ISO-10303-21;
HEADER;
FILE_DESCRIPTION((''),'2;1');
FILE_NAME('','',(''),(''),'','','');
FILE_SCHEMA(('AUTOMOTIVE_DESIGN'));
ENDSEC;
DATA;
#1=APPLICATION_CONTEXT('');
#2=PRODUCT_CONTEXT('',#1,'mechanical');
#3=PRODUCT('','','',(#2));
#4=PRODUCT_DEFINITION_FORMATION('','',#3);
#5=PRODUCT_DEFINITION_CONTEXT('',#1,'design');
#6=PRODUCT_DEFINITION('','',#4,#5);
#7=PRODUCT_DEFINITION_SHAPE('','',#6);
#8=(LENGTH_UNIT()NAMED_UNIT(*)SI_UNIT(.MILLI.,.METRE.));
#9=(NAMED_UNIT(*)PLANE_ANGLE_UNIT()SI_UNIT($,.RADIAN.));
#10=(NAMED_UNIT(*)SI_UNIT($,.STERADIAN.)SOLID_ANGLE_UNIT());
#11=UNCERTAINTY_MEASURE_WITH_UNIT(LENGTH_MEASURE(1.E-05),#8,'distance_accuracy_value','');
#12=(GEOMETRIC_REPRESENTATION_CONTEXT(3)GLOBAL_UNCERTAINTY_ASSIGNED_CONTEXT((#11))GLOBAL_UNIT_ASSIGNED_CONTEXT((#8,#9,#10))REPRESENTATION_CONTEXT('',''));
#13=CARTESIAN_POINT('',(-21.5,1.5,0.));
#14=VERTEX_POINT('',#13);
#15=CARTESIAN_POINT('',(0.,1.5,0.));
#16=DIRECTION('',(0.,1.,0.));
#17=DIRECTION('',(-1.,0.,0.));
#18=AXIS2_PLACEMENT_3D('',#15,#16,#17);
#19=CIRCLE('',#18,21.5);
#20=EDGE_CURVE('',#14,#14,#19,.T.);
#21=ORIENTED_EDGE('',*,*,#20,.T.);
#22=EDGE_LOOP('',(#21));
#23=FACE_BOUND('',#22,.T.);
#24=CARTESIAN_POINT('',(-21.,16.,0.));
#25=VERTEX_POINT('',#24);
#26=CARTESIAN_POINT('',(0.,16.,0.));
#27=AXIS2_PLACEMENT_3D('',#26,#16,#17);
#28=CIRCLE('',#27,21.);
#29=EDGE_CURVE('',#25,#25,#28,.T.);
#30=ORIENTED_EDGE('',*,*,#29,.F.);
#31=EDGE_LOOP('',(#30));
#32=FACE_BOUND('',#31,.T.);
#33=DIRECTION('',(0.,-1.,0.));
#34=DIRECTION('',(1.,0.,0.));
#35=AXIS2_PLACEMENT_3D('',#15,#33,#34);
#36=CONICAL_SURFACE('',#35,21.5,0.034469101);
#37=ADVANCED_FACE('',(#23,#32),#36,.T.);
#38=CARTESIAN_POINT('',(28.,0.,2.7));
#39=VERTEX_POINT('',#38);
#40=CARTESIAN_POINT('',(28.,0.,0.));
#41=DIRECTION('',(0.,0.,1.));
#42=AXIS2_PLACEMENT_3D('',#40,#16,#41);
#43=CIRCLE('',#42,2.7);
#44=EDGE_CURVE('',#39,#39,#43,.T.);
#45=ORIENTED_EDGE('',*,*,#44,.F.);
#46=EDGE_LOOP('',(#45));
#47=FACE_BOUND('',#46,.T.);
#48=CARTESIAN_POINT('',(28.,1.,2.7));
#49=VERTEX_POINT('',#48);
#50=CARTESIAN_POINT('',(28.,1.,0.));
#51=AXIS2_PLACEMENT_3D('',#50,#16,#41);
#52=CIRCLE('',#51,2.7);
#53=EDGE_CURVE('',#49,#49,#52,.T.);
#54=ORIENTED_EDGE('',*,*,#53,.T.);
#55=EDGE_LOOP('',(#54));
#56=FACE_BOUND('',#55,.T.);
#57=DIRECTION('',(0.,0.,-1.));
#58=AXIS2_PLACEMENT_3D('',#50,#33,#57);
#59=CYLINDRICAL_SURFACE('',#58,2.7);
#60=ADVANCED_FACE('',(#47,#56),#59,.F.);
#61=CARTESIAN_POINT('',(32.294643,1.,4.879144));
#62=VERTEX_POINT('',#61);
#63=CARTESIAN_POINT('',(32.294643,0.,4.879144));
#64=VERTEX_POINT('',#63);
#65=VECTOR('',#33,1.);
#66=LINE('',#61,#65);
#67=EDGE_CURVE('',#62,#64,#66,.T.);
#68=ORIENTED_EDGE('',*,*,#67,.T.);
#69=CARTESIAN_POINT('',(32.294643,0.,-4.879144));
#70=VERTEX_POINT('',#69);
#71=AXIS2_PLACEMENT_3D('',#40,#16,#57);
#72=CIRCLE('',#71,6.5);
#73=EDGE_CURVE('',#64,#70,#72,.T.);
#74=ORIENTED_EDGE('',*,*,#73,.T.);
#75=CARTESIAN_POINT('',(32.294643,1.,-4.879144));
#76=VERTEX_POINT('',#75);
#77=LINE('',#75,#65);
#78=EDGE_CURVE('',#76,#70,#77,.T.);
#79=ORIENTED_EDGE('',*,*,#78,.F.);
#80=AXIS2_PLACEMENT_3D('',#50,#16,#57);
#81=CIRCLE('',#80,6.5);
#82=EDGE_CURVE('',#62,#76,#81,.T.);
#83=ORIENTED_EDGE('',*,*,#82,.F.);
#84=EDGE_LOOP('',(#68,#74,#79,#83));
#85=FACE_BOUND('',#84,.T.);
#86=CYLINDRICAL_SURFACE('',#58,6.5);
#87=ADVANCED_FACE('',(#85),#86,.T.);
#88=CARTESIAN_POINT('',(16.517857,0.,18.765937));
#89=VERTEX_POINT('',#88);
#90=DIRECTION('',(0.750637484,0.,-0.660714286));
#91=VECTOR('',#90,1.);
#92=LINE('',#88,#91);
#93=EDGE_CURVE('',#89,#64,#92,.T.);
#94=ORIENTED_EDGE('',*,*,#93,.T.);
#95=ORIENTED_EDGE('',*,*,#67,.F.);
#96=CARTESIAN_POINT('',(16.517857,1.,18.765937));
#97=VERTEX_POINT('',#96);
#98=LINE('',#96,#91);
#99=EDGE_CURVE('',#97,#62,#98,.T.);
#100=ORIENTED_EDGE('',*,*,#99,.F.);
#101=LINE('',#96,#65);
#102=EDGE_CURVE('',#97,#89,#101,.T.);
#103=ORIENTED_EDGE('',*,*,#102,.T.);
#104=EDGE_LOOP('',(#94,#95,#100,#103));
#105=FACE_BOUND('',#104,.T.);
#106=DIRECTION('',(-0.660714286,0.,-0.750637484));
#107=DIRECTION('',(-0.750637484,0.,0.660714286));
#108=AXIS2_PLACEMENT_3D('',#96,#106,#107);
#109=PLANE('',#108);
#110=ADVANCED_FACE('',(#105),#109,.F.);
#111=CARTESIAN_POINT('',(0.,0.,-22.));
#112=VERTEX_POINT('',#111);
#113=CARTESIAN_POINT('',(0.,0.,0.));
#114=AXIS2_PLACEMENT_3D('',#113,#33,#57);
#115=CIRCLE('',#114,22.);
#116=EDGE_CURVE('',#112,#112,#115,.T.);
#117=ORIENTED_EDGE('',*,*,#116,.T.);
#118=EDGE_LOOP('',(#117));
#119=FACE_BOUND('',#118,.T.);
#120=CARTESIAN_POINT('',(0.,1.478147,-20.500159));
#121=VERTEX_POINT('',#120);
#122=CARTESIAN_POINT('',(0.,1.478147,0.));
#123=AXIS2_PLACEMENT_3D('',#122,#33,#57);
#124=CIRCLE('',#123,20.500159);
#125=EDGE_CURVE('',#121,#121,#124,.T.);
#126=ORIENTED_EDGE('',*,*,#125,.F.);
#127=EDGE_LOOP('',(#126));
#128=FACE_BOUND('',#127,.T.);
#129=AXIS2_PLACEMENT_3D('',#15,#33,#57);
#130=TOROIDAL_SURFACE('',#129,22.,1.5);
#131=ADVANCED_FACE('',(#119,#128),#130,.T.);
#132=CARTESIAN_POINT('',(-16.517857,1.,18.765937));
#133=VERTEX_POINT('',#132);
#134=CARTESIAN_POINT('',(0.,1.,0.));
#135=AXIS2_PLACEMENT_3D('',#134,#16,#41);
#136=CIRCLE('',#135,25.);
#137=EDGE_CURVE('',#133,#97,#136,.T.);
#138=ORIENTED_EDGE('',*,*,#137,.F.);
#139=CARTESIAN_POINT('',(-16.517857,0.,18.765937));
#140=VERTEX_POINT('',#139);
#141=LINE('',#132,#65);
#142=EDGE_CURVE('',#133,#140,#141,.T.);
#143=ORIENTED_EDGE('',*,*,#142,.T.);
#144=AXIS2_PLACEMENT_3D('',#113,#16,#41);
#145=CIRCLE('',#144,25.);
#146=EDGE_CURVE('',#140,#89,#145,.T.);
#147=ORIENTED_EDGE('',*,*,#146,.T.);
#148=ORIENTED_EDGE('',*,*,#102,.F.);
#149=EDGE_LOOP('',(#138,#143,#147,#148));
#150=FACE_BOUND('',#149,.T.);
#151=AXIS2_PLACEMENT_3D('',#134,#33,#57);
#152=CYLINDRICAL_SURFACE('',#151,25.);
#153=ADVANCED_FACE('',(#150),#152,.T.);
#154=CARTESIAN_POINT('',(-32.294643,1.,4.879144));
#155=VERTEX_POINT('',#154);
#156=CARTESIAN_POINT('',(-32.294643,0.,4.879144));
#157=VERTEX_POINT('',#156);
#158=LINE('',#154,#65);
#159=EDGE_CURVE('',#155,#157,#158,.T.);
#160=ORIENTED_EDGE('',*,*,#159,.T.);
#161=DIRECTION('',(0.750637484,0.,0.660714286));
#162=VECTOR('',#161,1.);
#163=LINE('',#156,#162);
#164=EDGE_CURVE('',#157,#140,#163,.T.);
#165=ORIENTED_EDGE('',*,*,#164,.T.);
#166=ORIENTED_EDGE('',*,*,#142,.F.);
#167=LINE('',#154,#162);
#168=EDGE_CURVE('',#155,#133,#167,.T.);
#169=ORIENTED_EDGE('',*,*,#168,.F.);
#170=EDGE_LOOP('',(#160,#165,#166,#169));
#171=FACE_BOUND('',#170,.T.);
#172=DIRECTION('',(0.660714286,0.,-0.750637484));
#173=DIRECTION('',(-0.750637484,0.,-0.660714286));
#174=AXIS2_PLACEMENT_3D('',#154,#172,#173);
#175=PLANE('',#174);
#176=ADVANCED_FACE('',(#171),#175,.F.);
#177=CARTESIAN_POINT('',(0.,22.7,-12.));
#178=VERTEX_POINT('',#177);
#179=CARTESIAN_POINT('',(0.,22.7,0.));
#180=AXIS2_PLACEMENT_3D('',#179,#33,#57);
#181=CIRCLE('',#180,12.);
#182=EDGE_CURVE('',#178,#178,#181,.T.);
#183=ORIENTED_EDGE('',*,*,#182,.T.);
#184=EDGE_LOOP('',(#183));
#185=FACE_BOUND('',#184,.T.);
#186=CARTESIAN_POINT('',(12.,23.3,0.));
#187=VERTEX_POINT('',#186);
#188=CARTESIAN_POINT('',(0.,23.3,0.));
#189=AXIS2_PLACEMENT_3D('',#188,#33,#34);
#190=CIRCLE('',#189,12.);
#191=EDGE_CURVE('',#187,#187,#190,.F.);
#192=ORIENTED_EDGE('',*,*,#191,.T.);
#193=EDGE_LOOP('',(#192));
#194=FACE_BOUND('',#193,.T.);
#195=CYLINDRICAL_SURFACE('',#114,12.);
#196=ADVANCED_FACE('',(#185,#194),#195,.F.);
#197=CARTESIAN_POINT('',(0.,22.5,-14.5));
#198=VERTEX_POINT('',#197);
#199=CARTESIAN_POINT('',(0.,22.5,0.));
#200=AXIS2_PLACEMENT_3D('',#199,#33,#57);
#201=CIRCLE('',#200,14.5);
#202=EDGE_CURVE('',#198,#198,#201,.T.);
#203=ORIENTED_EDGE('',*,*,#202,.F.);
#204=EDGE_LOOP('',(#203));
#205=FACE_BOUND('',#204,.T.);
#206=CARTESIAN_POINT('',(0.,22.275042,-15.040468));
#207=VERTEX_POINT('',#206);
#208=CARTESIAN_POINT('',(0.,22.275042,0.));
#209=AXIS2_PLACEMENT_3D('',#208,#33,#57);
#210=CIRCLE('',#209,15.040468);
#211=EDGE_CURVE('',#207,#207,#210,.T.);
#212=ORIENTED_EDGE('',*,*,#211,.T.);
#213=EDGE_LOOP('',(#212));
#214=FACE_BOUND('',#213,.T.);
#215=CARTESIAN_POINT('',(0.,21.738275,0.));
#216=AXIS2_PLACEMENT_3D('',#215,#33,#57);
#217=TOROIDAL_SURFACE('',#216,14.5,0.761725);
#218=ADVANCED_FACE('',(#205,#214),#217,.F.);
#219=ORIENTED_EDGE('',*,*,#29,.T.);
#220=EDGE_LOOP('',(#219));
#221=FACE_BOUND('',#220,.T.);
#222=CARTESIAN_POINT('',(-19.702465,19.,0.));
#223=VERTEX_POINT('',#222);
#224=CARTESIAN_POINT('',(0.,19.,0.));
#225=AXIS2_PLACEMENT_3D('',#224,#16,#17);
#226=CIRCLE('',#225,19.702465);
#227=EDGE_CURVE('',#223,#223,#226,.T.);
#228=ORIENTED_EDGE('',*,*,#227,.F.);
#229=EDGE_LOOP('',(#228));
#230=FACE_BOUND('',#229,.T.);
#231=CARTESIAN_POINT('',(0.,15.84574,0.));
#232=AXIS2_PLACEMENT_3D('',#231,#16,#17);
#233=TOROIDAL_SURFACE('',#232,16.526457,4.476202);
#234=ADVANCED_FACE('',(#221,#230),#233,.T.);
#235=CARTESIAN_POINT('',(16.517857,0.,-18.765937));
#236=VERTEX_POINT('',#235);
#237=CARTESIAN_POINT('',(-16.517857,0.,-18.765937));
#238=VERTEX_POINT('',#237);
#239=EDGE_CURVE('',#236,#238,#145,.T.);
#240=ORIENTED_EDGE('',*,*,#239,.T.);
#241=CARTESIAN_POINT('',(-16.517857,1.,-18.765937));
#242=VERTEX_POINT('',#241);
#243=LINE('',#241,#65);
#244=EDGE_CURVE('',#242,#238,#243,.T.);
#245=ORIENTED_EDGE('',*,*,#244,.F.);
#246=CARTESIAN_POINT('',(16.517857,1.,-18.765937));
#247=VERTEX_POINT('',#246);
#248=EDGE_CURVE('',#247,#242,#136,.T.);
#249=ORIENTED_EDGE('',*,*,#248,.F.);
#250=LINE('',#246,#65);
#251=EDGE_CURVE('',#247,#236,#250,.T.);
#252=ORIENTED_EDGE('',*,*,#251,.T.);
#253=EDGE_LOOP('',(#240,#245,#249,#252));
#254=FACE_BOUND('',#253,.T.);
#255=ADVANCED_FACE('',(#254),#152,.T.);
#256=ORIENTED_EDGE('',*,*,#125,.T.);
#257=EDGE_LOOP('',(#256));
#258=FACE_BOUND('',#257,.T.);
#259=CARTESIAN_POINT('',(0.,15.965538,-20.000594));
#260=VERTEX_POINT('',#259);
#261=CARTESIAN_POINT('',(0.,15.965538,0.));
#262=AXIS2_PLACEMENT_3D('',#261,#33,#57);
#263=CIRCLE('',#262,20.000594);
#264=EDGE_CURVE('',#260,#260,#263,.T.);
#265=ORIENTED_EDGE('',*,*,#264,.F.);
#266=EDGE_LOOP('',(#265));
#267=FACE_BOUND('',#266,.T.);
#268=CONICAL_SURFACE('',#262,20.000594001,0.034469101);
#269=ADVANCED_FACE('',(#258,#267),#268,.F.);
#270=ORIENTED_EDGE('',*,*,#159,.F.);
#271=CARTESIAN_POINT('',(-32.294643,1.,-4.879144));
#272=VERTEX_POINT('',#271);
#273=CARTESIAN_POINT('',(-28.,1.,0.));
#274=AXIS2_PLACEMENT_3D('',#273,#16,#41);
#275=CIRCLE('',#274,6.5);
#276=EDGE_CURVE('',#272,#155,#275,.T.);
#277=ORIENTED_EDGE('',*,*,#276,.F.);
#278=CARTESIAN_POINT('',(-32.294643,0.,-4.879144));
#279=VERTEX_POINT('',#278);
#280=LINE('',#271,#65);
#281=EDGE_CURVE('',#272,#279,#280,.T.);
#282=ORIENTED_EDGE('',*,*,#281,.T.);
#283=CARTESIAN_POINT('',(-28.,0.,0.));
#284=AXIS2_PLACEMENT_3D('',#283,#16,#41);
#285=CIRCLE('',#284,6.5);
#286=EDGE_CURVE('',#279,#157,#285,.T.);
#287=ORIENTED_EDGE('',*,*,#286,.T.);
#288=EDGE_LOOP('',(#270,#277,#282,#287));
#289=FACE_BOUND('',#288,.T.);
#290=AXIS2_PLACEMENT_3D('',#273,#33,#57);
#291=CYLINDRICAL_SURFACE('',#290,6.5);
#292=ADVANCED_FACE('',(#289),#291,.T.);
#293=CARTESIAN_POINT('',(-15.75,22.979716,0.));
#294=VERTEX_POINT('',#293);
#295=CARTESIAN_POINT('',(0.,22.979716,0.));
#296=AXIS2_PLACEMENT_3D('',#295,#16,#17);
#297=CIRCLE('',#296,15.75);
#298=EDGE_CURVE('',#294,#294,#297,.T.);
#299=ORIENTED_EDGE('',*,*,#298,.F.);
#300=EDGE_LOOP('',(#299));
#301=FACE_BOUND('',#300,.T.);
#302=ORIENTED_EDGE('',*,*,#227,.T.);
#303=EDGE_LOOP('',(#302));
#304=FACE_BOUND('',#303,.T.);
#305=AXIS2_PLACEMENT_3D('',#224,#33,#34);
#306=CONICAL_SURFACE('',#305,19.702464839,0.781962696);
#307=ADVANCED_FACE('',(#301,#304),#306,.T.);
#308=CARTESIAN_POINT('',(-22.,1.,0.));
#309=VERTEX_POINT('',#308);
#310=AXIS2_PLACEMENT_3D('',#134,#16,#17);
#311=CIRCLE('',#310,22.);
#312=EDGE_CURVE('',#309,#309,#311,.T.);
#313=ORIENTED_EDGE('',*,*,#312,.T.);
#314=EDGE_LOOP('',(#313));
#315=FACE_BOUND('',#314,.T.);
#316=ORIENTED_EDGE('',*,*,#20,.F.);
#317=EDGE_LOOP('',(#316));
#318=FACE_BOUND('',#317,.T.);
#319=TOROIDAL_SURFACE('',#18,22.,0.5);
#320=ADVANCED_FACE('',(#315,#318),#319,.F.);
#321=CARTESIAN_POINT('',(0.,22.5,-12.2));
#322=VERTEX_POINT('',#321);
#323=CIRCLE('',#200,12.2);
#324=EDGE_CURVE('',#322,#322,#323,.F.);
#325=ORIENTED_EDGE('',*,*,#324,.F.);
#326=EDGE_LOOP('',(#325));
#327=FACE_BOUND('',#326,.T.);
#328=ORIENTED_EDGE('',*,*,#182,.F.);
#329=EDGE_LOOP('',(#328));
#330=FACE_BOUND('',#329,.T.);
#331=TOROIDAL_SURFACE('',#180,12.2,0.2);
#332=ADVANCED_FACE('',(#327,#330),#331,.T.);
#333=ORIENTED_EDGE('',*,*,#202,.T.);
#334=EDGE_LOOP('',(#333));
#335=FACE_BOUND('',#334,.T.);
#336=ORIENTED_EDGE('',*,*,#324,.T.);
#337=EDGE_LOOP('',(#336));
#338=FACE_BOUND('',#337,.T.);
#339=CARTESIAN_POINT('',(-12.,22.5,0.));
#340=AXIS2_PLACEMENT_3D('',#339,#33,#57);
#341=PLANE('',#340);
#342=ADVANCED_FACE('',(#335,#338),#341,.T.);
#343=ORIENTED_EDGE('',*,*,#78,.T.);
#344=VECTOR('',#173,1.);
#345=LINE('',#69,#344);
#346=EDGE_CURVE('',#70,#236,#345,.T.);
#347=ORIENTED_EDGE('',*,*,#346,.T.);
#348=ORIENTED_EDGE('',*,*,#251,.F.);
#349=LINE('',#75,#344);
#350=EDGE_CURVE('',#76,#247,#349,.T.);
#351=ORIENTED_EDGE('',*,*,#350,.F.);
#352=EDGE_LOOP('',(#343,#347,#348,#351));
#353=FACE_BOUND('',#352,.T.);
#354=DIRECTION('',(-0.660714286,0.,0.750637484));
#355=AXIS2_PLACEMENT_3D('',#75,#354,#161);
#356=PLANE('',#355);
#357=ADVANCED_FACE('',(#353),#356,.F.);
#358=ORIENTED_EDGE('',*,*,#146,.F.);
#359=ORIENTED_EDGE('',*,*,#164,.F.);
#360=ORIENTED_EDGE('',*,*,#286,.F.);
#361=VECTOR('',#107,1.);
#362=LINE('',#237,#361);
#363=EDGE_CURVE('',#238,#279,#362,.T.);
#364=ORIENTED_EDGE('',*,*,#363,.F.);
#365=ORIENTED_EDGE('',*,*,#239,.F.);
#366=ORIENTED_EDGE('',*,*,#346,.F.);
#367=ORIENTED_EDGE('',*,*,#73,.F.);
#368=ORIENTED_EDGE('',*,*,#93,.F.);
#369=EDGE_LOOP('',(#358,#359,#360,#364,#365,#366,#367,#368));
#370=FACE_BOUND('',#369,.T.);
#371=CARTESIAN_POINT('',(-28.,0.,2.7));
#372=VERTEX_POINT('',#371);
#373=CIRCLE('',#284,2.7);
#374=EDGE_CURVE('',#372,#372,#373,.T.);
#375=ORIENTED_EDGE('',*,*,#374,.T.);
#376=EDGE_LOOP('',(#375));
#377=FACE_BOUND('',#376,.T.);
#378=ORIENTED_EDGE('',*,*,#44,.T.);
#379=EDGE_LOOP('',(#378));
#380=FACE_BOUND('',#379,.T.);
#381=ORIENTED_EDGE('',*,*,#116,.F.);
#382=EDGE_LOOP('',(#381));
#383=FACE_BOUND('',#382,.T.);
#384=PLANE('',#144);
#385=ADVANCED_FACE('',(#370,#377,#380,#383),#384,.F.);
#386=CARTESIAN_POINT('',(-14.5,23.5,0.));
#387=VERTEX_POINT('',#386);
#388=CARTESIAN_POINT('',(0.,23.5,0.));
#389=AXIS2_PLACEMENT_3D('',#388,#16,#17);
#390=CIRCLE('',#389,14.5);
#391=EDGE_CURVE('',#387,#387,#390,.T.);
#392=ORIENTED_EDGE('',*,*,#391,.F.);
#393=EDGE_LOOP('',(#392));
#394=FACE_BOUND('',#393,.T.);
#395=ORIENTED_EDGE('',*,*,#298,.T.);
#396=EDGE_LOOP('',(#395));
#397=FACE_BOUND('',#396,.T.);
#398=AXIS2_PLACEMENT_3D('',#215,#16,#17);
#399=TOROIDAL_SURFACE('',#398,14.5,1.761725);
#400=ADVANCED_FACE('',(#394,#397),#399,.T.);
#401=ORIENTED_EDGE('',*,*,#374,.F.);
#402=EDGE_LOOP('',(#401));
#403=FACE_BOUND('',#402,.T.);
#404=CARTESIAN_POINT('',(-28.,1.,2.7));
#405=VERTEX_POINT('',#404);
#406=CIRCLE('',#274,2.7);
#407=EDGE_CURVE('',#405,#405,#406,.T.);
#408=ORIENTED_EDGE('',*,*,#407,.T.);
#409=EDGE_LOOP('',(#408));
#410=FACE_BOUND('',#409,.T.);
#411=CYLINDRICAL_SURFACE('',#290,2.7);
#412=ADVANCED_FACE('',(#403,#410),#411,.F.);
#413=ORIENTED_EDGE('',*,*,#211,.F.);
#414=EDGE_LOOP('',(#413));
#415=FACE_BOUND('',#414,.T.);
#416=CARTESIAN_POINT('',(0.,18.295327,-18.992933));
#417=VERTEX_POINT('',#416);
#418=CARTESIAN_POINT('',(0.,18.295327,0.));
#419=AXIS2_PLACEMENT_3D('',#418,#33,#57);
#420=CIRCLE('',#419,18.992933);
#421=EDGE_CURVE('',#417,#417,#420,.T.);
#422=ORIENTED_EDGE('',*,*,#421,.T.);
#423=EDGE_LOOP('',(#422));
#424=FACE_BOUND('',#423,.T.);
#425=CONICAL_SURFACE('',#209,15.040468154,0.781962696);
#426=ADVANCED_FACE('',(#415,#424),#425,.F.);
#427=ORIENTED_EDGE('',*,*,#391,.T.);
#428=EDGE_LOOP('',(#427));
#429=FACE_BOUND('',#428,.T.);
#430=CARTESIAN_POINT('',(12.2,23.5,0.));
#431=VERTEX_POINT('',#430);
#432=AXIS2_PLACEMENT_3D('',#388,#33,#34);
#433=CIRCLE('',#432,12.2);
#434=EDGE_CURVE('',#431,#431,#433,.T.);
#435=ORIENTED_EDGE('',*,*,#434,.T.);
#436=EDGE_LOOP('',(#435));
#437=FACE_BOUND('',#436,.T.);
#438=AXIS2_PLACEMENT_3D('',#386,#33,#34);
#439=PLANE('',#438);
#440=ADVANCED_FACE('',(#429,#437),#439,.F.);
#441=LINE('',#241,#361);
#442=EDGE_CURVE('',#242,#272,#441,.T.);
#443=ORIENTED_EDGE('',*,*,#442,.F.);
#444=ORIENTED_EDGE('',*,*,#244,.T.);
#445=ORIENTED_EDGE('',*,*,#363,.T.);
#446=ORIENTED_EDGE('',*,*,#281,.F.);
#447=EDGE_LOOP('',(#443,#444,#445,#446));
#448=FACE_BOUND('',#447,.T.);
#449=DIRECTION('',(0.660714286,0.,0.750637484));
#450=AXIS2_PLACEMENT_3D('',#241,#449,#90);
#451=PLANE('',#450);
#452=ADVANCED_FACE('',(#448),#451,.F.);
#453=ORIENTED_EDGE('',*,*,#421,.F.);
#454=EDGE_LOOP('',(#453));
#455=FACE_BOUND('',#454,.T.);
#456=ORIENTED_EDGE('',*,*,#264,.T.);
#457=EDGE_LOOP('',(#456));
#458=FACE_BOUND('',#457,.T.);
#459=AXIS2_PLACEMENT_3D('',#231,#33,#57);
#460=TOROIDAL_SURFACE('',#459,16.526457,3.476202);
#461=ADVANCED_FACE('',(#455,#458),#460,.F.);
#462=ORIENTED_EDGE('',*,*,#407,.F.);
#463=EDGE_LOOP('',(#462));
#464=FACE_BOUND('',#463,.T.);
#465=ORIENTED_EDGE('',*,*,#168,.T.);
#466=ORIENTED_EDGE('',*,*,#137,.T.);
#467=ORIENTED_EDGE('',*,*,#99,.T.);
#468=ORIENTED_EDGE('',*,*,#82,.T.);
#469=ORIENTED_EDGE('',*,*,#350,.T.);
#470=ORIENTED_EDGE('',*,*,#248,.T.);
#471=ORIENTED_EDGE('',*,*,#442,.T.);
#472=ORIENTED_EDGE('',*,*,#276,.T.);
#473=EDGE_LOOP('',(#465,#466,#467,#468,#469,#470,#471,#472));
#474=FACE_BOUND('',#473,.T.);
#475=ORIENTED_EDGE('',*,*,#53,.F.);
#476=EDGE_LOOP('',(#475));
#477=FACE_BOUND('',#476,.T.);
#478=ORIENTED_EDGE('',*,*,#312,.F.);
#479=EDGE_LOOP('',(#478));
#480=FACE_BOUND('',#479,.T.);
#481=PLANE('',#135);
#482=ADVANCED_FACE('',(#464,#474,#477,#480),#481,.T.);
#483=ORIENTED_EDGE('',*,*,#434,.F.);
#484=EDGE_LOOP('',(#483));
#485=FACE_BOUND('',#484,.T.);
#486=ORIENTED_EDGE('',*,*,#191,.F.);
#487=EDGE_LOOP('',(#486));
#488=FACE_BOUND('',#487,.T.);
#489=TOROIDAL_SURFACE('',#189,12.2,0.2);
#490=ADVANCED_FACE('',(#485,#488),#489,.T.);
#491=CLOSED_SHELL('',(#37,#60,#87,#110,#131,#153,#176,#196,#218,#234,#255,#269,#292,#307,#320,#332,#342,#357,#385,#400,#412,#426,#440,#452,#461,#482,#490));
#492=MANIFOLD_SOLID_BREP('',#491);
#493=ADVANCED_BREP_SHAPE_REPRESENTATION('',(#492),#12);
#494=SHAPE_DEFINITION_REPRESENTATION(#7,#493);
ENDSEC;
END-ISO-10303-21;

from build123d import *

# Parameters (mm, degrees)
SKETCH2_R            = 2.7
BASE_DEPTH           = 1
M5_CLEARANCE_HOLE2_D = 5.4
IBC_TOP_F_R          = 0.2


with BuildPart() as part:
    # Sketch2 → BASE (new body)
    with BuildSketch(Plane(origin=(0, 0, 0), x_dir=(1, 0, 0), z_dir=(0, 1, 0))):
        with BuildLine():
            Line((-16.517857143, 18.765937104), (-32.294642857, 4.879143647))
            ThreePointArc((-32.294642857, 4.879143647), (-34.5, 0), (-32.294642857, -4.879143647))
            Line((-32.294642857, -4.879143647), (-16.517857143, -18.765937104))
            ThreePointArc((-16.517857143, -18.765937104), (0, -25), (16.517857143, -18.765937104))
            Line((16.517857143, -18.765937104), (32.294642857, -4.879143647))
            ThreePointArc((32.294642857, -4.879143647), (34.5, 0), (32.294642857, 4.879143647))
            Line((32.294642857, 4.879143647), (16.517857143, 18.765937104))
            ThreePointArc((16.517857143, 18.765937104), (0, 25), (-16.517857143, 18.765937104))
        make_face()
        with Locations(Location((-28, 0, 0), (0, 0, 270))):
            Circle(SKETCH2_R, mode=Mode.SUBTRACT)
        with Locations(Location((28, 0, 0), (0, 0, 270))):
            Circle(SKETCH2_R, mode=Mode.SUBTRACT)
    extrude(amount=BASE_DEPTH)

    # Sketch1 → TOP BODY (revolve)
    with BuildSketch(Plane.XY, mode=Mode.PRIVATE) as top_body_sk:
        with BuildLine():
            Line((21, 16), (21.5, 1.5))
            ThreePointArc((21.5, 1.5), (21.646446609, 1.146446609), (22, 1))
            Line((22, 1), (0, 1))
            Line((0, 1), (0, 23.5))
            Line((0, 23.5), (14.5, 23.5))
            ThreePointArc((14.5, 23.5), (15.176977799, 23.364736201), (15.75, 22.979715691))
            Line((15.75, 22.979715691), (19.702464839, 19))
            ThreePointArc((19.702464839, 19), (20.634851716, 17.62266867), (21, 16))
        make_face()
    revolve(top_body_sk.sketch.rotate(Axis((0, 23.5, 0), (0, -1, 0)), 180), axis=Axis((0, 23.5, 0), (0, -1, 0)))

    # M5 Clearance Hole2 (through all)
    with Locations(Plane(origin=(0, 1, 0), x_dir=(1, 0, 0), z_dir=(0, 1, 0))):
        with Locations((-28, 0), (28, 0)):
            Hole(M5_CLEARANCE_HOLE2_D / 2)

    # Sketch8 → INNER BODY CUT (revolve, cut)
    with BuildSketch(Plane.XY, mode=Mode.PRIVATE) as inner_body_cut_sk:
        with BuildLine():
            Line((-15.040468154, 22.27504232), (-18.992932994, 18.295326629))
            ThreePointArc((-18.992932994, 18.295326629), (-19.717021194, 17.225696212), (-20.000594001, 15.965537724))
            Line((-20.000594001, 15.965537724), (-20.500159189, 1.478147253))
            ThreePointArc((-20.500159189, 1.478147253), (-20.947094287, 0.431641652), (-22, 0))
            Line((-22, 0), (0, 0))
            Line((0, 0), (0, 23.5))
            Line((0, 23.5), (-12, 23.5))
            Line((-12, 23.5), (-12, 22.5))
            Line((-12, 22.5), (-14.5, 22.5))
            ThreePointArc((-14.5, 22.5), (-14.792707953, 22.441515379), (-15.040468154, 22.27504232))
        make_face()
    revolve(inner_body_cut_sk.sketch.rotate(Axis((0, 0, 0), (0, 1, 0)), 270), axis=Axis((0, 0, 0), (0, 1, 0)), mode=Mode.SUBTRACT)

    # IBC TOP F
    ibc_top_f_edges = [part.edges().sort_by_distance(p)[0] for p in [
        (0, 23.5, 12),
        (0, 22.5, 12),
    ]]
    fillet(ibc_top_f_edges, radius=IBC_TOP_F_R)


solid = part.part
